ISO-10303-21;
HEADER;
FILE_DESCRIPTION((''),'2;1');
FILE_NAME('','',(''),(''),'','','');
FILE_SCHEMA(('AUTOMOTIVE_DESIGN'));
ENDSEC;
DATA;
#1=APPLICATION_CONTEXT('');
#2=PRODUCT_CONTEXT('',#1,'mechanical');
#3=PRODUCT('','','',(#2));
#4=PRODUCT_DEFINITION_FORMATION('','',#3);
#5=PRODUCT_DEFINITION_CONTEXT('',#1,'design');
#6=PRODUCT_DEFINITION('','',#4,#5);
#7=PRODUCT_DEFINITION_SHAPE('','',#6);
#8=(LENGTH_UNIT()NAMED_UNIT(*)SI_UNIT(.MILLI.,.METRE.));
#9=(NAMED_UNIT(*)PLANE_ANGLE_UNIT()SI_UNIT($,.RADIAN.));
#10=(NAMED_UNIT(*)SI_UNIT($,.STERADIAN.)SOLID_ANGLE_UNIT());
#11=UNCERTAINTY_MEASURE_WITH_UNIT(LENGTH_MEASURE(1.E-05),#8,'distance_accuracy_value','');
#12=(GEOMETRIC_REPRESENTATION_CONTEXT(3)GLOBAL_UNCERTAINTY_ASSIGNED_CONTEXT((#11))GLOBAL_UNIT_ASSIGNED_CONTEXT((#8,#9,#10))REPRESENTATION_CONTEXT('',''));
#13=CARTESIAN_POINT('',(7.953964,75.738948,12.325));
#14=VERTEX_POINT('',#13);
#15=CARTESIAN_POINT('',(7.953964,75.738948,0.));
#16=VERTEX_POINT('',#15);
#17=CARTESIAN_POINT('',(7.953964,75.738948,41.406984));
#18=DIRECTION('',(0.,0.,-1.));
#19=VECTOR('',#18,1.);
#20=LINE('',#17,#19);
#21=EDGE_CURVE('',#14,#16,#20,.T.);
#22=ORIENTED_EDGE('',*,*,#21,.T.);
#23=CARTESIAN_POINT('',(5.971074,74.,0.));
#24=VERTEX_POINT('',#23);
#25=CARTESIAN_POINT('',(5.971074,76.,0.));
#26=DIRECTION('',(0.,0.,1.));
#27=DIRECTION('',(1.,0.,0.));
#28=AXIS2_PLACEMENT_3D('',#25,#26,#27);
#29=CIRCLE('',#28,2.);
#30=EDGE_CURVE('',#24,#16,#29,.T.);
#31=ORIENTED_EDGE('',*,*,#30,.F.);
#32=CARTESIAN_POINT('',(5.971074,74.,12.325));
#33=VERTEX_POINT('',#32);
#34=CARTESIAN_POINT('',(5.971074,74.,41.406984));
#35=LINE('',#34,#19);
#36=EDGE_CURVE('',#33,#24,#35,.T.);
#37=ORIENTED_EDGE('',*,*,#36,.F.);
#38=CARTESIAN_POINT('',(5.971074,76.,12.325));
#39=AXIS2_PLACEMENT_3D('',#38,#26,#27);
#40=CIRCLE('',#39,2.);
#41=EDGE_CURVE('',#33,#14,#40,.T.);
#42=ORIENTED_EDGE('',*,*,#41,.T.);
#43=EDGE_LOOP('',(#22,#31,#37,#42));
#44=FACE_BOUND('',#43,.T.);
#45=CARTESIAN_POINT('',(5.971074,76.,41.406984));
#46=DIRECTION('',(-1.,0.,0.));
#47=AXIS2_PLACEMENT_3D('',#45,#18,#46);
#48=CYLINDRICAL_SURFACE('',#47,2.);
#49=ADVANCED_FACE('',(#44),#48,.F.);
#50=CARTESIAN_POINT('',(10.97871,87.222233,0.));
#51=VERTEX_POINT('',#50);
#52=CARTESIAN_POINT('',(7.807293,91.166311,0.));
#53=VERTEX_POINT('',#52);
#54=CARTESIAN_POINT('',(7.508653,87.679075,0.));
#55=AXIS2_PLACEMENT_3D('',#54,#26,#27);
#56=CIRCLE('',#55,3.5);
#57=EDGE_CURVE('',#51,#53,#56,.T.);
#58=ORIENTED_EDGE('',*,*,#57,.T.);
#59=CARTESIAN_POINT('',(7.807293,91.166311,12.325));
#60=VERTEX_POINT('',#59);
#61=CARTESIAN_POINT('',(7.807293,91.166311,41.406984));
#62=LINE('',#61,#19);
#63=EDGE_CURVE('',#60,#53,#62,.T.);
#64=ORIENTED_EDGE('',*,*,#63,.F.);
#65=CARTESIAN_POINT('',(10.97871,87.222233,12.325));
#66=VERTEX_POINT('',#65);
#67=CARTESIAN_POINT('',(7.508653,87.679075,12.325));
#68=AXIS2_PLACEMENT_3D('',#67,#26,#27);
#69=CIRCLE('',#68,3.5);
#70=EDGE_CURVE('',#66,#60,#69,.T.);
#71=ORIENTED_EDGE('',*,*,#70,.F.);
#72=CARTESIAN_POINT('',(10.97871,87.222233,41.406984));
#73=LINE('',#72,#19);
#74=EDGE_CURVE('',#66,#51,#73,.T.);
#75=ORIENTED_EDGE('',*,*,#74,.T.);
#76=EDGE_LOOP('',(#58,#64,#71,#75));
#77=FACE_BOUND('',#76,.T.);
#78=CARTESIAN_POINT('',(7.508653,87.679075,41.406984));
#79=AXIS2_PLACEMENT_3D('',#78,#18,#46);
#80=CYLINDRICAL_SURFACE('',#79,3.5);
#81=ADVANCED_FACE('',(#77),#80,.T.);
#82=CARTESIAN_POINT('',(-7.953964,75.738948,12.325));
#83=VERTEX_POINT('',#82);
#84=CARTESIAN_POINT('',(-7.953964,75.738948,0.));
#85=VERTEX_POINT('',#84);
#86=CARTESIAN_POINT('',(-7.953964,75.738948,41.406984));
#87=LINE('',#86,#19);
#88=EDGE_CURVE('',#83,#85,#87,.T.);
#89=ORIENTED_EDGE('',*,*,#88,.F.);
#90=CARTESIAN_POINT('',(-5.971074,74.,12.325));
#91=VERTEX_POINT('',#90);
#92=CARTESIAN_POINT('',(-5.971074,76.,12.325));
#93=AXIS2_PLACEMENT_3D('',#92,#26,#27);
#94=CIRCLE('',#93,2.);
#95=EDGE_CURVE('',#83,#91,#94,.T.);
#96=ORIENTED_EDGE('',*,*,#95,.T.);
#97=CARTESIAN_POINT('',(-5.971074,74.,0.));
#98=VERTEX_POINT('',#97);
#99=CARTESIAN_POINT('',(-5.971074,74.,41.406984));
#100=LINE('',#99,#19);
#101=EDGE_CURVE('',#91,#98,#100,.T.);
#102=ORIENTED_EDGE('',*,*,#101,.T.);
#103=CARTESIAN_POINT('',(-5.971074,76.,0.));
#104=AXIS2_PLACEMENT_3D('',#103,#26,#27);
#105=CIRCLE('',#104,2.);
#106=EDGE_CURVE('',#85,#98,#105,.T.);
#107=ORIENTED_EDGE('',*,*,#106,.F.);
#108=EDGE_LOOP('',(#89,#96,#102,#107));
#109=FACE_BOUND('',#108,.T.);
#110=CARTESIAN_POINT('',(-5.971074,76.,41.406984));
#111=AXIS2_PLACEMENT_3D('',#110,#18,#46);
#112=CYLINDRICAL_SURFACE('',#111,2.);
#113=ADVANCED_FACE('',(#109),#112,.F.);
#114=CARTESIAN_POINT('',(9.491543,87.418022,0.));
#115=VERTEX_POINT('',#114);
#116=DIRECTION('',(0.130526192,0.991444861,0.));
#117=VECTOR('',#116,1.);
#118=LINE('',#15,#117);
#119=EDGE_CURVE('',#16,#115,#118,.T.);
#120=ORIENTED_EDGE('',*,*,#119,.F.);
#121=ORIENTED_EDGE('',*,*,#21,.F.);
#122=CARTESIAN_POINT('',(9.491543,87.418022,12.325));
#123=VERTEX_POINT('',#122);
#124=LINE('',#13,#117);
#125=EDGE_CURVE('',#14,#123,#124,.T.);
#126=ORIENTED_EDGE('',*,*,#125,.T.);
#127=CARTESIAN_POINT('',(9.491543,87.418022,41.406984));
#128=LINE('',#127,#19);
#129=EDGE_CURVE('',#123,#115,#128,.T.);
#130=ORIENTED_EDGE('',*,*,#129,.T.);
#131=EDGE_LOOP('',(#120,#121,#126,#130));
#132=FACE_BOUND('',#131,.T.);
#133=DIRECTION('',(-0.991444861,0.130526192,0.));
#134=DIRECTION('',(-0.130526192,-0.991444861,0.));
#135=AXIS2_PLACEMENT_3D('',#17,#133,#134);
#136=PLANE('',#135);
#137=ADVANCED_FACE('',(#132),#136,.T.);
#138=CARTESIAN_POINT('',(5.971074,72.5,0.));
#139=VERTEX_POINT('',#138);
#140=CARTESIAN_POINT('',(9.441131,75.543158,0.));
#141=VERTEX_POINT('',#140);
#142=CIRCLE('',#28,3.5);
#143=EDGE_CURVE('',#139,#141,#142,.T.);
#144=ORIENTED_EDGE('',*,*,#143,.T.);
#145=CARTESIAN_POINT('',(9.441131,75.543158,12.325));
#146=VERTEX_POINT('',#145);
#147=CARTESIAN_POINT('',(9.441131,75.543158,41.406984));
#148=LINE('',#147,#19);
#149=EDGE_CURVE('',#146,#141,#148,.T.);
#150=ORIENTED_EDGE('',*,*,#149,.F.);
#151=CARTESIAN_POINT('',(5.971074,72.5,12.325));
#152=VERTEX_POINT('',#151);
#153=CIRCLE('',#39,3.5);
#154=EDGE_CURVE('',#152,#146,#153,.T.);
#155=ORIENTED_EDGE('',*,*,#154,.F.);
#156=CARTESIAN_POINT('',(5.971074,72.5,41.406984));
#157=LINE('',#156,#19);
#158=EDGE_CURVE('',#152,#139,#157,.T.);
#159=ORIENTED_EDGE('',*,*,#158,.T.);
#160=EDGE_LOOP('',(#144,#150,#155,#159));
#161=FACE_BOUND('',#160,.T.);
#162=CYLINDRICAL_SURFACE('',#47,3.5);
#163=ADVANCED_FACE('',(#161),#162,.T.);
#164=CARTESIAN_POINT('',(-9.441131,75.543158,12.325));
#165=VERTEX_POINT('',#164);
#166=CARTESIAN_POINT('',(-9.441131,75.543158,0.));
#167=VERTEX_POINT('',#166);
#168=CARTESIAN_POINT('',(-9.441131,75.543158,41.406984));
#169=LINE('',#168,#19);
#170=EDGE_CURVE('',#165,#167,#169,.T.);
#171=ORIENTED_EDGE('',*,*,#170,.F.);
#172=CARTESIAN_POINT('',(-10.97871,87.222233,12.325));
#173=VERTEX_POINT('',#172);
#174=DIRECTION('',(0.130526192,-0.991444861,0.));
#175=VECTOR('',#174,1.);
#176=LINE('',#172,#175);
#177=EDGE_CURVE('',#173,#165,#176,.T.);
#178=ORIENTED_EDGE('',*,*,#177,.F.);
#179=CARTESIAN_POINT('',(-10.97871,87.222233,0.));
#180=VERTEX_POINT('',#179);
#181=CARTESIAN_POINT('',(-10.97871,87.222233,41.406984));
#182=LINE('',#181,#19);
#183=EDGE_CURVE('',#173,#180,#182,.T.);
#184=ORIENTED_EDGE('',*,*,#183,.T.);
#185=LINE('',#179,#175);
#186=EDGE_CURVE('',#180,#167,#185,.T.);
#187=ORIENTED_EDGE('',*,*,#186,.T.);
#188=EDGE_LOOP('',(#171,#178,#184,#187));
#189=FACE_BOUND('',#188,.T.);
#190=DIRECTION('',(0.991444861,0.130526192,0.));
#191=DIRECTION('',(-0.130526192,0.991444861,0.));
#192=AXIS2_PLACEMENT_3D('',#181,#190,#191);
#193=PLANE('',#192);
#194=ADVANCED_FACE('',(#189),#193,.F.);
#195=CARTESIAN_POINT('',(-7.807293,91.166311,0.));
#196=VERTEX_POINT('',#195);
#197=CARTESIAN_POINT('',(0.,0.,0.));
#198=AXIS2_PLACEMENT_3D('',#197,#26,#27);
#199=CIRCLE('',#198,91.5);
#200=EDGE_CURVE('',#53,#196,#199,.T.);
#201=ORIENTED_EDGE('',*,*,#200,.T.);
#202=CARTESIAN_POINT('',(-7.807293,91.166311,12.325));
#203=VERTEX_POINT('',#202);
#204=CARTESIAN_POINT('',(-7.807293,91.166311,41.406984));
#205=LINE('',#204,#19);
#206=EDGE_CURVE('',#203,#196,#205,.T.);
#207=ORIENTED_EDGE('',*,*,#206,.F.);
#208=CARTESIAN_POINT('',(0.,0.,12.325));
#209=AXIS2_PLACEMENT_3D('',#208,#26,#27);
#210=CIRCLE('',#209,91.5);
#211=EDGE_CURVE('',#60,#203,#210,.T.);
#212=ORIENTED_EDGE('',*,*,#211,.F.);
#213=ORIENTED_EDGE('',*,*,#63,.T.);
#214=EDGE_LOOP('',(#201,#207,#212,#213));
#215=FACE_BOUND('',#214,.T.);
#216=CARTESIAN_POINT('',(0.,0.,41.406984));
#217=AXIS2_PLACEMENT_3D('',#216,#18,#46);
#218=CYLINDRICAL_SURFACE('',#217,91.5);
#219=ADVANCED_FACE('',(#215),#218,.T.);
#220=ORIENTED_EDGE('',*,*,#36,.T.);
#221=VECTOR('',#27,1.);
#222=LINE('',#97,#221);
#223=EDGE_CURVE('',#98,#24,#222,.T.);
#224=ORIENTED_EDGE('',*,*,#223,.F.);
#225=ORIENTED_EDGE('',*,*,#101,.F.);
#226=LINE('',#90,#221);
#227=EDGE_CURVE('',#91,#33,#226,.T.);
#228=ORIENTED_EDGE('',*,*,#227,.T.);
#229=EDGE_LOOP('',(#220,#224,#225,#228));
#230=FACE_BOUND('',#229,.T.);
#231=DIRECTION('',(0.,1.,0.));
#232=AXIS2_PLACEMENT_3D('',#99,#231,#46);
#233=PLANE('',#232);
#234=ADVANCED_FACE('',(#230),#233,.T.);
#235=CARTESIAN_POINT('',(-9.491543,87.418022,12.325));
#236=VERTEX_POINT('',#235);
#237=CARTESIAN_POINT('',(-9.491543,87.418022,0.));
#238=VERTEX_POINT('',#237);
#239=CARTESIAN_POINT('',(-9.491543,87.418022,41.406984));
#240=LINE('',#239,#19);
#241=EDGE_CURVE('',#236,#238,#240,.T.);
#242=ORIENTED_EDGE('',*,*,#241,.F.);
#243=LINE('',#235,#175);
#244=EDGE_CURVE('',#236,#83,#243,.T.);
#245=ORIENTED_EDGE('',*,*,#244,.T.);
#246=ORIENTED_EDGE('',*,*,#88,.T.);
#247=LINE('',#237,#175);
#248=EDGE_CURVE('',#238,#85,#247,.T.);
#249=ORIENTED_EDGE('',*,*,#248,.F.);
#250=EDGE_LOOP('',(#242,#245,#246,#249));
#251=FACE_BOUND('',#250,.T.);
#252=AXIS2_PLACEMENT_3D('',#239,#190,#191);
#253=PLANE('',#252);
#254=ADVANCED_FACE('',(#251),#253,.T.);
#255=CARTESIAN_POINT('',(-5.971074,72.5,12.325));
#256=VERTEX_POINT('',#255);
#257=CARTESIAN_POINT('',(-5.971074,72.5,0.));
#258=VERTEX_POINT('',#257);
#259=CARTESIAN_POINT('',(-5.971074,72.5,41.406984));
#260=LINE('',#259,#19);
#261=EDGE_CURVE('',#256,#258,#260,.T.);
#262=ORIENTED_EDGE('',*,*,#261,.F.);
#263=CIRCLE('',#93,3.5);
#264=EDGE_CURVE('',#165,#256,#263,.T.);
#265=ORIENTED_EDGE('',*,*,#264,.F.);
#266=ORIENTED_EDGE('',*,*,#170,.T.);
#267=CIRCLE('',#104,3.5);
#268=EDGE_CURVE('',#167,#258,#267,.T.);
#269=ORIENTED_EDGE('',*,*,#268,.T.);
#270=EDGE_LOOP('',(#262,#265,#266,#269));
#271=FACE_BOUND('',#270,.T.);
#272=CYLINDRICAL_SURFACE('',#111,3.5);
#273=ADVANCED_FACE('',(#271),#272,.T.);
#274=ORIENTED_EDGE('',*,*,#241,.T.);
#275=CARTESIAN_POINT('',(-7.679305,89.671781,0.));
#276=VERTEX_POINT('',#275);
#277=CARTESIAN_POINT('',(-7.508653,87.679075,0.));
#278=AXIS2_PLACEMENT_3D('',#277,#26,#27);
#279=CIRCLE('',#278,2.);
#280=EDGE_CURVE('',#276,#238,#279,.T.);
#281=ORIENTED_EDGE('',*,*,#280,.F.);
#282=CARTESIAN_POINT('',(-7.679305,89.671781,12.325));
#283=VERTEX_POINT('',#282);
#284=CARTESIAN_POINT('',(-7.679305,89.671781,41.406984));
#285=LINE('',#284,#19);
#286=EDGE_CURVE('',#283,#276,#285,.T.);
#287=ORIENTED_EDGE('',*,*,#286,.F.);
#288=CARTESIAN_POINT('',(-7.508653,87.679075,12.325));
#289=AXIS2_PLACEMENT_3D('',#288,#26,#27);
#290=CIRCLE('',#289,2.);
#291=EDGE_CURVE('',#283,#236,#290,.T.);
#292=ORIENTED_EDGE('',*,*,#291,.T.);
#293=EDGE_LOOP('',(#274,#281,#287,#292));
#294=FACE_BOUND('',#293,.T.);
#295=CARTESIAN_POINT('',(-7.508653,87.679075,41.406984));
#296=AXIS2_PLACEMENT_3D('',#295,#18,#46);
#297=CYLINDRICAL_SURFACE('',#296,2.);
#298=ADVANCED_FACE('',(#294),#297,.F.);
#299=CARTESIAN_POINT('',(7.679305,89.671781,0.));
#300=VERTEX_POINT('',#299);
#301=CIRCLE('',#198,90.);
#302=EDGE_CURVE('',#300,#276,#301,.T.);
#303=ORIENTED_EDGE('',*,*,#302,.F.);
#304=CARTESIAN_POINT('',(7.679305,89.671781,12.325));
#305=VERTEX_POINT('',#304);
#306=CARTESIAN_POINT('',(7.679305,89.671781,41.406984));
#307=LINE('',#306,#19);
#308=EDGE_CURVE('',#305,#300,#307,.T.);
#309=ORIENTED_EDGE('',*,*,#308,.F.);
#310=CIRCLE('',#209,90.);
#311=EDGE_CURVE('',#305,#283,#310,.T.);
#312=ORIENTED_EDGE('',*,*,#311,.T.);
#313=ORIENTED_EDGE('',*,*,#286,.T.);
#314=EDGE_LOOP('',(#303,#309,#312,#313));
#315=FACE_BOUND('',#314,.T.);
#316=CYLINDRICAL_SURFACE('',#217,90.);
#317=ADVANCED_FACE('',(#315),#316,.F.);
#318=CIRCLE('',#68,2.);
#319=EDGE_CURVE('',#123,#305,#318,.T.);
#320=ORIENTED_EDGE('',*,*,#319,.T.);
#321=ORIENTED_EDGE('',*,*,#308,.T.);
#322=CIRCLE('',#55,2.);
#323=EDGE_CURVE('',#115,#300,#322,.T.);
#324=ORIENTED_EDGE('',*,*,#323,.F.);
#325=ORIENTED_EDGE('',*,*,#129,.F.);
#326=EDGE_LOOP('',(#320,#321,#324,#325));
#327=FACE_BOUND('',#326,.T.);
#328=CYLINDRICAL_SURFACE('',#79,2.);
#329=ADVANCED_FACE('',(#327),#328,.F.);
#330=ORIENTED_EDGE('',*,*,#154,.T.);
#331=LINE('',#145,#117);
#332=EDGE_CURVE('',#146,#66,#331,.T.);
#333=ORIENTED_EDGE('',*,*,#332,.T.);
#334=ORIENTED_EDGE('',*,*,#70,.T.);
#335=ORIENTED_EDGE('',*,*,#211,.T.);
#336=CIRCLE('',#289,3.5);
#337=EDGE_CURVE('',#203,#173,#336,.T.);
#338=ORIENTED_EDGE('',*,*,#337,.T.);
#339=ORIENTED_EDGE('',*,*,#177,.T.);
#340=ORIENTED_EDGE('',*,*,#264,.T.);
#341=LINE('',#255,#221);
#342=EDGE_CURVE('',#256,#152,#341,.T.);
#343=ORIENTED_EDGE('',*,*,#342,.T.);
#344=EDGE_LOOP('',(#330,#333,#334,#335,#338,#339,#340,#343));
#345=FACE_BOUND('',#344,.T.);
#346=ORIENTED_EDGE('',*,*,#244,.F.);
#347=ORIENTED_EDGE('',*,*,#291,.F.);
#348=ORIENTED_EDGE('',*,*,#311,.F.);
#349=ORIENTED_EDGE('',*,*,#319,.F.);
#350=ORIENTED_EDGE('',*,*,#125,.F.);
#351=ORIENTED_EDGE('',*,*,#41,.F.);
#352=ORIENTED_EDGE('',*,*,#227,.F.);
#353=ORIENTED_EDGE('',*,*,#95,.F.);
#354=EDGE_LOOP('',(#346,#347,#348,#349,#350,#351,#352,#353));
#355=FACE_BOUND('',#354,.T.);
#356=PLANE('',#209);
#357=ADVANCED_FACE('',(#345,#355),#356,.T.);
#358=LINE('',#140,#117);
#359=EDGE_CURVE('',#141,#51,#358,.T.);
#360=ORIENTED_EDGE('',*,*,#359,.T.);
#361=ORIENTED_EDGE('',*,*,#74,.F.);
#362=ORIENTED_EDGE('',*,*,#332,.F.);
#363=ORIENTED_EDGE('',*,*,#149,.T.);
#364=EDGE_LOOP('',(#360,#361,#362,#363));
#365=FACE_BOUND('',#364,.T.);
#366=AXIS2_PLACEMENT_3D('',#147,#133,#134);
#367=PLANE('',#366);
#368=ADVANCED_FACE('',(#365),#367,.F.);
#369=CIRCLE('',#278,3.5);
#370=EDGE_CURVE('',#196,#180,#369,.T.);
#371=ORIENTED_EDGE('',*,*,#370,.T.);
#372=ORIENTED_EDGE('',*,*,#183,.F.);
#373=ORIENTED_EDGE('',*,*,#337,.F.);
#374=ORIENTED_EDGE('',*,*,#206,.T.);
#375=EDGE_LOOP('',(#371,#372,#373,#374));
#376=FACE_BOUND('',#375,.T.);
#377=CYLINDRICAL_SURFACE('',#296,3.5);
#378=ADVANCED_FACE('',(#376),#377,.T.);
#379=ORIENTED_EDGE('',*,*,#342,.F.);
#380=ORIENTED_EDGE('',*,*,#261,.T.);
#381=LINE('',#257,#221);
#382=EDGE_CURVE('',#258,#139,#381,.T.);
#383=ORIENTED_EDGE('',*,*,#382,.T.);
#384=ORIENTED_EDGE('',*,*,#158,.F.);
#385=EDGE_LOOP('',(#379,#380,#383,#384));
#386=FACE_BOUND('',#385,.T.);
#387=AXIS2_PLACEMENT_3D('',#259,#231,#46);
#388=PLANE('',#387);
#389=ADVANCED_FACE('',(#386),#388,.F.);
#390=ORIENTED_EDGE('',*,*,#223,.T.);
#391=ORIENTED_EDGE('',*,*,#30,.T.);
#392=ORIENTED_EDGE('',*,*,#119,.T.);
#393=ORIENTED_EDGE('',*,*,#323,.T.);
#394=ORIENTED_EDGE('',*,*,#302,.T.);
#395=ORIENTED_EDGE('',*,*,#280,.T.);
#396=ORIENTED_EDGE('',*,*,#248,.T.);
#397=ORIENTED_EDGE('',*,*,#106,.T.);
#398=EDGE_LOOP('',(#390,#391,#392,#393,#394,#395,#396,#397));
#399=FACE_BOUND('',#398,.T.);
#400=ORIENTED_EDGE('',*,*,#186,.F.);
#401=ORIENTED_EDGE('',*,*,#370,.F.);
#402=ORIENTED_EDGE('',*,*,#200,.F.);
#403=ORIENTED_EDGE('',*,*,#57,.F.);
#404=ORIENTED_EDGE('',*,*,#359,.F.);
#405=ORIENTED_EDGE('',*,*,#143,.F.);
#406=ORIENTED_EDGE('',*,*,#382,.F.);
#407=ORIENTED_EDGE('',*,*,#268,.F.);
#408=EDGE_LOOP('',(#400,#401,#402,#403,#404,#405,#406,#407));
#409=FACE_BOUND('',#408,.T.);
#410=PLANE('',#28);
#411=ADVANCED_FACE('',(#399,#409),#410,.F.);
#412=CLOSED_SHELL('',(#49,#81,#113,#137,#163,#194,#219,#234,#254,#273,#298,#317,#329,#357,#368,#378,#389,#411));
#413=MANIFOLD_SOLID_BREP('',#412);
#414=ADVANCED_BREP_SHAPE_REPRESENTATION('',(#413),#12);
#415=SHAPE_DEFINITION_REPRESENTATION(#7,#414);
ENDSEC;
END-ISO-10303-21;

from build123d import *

# Parameters (mm, degrees)
BOSS_EXTRUDE1_DEPTH = 12.325


with BuildPart() as part:
    # Sketch1 → Boss-Extrude1 (new body)
    with BuildSketch(Plane.XY):
        with BuildLine():
            Line((9.441130989, 75.543158327), (10.978710332, 87.222232942))
            ThreePointArc((10.978710332, 87.222232942), (10.23623569, 89.872312951), (7.807292937, 91.166310537))
            ThreePointArc((7.807292937, 91.166310537), (0, 91.5), (-7.807292937, 91.166310537))
            ThreePointArc((-7.807292937, 91.166310537), (-10.23623569, 89.872312951), (-10.978710332, 87.222232942))
            Line((-10.978710332, 87.222232942), (-9.441130989, 75.543158327))
            ThreePointArc((-9.441130989, 75.543158327), (-8.278784327, 73.368560674), (-5.971073974, 72.5))
            Line((-5.971073974, 72.5), (5.971073974, 72.5))
            ThreePointArc((5.971073974, 72.5), (8.278784327, 73.368560674), (9.441130989, 75.543158327))
        make_face()
        with BuildLine():
            Line((-9.49154304, 87.418022231), (-7.953963697, 75.738947616))
            ThreePointArc((-7.953963697, 75.738947616), (-7.289765605, 74.496320385), (-5.971073974, 74))
            Line((-5.971073974, 74), (5.971073974, 74))
            ThreePointArc((5.971073974, 74), (7.289765605, 74.496320385), (7.953963697, 75.738947616))
            Line((7.953963697, 75.738947616), (9.49154304, 87.418022231))
            ThreePointArc((9.49154304, 87.418022231), (9.067271816, 88.932353664), (7.679304529, 89.671780856))
            ThreePointArc((7.679304529, 89.671780856), (0, 90), (-7.679304529, 89.671780856))
            ThreePointArc((-7.679304529, 89.671780856), (-9.067271816, 88.932353664), (-9.49154304, 87.418022231))
        make_face(mode=Mode.SUBTRACT)
    extrude(amount=BOSS_EXTRUDE1_DEPTH)


solid = part.part
